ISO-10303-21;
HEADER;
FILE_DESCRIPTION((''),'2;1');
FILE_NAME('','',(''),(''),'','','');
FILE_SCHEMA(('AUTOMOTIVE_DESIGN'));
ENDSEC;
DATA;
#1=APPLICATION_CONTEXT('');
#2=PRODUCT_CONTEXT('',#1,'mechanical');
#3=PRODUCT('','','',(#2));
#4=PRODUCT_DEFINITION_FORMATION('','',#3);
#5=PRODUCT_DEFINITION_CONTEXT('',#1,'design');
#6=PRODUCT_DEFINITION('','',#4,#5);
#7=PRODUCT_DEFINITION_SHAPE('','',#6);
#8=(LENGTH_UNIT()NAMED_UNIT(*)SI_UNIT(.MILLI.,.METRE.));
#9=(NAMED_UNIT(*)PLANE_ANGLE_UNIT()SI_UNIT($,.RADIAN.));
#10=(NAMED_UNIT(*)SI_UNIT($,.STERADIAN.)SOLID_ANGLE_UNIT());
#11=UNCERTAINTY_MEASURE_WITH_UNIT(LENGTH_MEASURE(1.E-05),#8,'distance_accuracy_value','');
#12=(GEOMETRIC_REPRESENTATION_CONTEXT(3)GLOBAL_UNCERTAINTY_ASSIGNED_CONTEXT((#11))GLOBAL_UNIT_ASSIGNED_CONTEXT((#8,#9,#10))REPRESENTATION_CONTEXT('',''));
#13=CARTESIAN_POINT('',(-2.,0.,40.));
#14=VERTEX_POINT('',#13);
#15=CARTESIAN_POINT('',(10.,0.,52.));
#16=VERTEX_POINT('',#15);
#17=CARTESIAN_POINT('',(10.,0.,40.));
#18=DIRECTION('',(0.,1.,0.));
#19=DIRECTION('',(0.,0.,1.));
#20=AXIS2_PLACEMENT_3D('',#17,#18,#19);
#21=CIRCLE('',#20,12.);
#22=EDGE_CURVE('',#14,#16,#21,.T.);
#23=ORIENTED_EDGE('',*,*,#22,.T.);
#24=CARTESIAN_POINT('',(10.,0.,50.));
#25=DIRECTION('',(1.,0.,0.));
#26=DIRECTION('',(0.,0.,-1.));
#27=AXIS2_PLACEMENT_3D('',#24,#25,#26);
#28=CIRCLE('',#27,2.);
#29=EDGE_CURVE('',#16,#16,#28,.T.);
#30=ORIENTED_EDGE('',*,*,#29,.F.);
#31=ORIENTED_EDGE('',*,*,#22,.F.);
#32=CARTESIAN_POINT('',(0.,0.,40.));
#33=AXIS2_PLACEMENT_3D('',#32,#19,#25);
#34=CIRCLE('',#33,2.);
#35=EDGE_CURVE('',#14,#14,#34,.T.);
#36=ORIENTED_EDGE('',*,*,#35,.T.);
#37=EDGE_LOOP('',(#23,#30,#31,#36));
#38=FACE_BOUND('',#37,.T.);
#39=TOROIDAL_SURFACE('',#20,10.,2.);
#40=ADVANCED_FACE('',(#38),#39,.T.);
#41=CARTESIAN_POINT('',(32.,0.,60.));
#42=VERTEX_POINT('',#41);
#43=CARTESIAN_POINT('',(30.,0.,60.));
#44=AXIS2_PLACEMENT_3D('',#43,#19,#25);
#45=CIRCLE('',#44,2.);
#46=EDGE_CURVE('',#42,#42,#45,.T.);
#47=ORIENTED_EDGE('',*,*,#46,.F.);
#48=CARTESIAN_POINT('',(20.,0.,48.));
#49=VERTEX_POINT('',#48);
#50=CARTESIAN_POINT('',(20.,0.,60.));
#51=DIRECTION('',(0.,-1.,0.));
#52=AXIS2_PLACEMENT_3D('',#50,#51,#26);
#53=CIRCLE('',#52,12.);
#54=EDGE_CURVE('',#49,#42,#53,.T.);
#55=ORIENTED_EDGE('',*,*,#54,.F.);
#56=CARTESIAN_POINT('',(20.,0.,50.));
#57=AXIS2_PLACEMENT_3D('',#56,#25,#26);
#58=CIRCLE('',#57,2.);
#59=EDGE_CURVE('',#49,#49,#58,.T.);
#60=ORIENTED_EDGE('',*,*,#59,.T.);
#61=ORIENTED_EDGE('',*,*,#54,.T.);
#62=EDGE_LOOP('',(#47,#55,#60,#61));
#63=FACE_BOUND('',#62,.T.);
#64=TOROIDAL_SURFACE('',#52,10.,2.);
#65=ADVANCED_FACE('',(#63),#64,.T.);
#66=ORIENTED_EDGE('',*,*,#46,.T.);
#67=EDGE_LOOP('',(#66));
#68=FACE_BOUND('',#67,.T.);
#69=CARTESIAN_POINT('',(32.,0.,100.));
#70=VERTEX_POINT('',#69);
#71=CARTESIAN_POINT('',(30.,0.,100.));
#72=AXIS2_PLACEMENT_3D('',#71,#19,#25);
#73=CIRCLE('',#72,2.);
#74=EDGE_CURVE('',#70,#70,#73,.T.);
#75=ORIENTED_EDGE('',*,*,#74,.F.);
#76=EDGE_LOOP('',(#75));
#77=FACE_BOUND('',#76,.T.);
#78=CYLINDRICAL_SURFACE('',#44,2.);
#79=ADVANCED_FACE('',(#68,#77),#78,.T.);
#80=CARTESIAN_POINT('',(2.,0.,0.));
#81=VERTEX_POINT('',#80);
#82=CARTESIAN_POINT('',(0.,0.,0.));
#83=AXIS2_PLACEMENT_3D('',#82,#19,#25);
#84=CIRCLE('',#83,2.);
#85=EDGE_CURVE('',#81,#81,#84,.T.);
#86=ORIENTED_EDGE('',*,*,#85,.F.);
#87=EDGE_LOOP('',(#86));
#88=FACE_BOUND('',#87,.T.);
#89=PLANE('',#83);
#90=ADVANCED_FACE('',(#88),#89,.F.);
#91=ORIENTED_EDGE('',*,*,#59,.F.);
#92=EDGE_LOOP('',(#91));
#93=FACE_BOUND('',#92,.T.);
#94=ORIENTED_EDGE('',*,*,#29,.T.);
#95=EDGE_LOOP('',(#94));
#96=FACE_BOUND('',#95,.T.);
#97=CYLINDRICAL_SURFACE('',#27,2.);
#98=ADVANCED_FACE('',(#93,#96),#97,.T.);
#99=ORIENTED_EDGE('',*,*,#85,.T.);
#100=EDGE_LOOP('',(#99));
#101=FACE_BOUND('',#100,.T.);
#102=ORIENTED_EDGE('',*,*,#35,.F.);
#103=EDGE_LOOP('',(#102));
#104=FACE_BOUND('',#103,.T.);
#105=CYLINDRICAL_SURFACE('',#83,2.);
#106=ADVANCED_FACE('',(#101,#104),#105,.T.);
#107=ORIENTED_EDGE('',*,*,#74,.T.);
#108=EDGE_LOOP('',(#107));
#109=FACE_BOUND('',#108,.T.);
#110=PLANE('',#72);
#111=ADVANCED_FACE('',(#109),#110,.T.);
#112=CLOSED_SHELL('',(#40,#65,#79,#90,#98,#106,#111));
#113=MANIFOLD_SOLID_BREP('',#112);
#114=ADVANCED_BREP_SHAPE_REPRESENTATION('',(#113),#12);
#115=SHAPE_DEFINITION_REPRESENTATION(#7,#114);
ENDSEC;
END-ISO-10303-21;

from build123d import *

# Parameters (mm, degrees)
SKETCH_1_R = 2


with BuildPart() as part:
    # ｽｲｰﾌﾟ1: sweep along a path in ｽｹｯﾁ2
    with BuildLine(Plane(origin=(0, 0, 0), x_dir=(1, 0, 0), z_dir=(0, 1, 0))) as sweep_1_path:
        Line((0, 0), (0, -40))
        ThreePointArc((0, -40), (2.928932188, -47.071067812), (10, -50))
        Line((10, -50), (20, -50))
        ThreePointArc((20, -50), (27.071067812, -52.928932188), (30, -60))
        Line((30, -60), (30, -100))
    # ｽｹｯﾁ1 → ｽｲｰﾌﾟ1 (sweep)
    with BuildSketch(Plane.XY):
        Circle(SKETCH_1_R)
    sweep(path=sweep_1_path.line)


solid = part.part
